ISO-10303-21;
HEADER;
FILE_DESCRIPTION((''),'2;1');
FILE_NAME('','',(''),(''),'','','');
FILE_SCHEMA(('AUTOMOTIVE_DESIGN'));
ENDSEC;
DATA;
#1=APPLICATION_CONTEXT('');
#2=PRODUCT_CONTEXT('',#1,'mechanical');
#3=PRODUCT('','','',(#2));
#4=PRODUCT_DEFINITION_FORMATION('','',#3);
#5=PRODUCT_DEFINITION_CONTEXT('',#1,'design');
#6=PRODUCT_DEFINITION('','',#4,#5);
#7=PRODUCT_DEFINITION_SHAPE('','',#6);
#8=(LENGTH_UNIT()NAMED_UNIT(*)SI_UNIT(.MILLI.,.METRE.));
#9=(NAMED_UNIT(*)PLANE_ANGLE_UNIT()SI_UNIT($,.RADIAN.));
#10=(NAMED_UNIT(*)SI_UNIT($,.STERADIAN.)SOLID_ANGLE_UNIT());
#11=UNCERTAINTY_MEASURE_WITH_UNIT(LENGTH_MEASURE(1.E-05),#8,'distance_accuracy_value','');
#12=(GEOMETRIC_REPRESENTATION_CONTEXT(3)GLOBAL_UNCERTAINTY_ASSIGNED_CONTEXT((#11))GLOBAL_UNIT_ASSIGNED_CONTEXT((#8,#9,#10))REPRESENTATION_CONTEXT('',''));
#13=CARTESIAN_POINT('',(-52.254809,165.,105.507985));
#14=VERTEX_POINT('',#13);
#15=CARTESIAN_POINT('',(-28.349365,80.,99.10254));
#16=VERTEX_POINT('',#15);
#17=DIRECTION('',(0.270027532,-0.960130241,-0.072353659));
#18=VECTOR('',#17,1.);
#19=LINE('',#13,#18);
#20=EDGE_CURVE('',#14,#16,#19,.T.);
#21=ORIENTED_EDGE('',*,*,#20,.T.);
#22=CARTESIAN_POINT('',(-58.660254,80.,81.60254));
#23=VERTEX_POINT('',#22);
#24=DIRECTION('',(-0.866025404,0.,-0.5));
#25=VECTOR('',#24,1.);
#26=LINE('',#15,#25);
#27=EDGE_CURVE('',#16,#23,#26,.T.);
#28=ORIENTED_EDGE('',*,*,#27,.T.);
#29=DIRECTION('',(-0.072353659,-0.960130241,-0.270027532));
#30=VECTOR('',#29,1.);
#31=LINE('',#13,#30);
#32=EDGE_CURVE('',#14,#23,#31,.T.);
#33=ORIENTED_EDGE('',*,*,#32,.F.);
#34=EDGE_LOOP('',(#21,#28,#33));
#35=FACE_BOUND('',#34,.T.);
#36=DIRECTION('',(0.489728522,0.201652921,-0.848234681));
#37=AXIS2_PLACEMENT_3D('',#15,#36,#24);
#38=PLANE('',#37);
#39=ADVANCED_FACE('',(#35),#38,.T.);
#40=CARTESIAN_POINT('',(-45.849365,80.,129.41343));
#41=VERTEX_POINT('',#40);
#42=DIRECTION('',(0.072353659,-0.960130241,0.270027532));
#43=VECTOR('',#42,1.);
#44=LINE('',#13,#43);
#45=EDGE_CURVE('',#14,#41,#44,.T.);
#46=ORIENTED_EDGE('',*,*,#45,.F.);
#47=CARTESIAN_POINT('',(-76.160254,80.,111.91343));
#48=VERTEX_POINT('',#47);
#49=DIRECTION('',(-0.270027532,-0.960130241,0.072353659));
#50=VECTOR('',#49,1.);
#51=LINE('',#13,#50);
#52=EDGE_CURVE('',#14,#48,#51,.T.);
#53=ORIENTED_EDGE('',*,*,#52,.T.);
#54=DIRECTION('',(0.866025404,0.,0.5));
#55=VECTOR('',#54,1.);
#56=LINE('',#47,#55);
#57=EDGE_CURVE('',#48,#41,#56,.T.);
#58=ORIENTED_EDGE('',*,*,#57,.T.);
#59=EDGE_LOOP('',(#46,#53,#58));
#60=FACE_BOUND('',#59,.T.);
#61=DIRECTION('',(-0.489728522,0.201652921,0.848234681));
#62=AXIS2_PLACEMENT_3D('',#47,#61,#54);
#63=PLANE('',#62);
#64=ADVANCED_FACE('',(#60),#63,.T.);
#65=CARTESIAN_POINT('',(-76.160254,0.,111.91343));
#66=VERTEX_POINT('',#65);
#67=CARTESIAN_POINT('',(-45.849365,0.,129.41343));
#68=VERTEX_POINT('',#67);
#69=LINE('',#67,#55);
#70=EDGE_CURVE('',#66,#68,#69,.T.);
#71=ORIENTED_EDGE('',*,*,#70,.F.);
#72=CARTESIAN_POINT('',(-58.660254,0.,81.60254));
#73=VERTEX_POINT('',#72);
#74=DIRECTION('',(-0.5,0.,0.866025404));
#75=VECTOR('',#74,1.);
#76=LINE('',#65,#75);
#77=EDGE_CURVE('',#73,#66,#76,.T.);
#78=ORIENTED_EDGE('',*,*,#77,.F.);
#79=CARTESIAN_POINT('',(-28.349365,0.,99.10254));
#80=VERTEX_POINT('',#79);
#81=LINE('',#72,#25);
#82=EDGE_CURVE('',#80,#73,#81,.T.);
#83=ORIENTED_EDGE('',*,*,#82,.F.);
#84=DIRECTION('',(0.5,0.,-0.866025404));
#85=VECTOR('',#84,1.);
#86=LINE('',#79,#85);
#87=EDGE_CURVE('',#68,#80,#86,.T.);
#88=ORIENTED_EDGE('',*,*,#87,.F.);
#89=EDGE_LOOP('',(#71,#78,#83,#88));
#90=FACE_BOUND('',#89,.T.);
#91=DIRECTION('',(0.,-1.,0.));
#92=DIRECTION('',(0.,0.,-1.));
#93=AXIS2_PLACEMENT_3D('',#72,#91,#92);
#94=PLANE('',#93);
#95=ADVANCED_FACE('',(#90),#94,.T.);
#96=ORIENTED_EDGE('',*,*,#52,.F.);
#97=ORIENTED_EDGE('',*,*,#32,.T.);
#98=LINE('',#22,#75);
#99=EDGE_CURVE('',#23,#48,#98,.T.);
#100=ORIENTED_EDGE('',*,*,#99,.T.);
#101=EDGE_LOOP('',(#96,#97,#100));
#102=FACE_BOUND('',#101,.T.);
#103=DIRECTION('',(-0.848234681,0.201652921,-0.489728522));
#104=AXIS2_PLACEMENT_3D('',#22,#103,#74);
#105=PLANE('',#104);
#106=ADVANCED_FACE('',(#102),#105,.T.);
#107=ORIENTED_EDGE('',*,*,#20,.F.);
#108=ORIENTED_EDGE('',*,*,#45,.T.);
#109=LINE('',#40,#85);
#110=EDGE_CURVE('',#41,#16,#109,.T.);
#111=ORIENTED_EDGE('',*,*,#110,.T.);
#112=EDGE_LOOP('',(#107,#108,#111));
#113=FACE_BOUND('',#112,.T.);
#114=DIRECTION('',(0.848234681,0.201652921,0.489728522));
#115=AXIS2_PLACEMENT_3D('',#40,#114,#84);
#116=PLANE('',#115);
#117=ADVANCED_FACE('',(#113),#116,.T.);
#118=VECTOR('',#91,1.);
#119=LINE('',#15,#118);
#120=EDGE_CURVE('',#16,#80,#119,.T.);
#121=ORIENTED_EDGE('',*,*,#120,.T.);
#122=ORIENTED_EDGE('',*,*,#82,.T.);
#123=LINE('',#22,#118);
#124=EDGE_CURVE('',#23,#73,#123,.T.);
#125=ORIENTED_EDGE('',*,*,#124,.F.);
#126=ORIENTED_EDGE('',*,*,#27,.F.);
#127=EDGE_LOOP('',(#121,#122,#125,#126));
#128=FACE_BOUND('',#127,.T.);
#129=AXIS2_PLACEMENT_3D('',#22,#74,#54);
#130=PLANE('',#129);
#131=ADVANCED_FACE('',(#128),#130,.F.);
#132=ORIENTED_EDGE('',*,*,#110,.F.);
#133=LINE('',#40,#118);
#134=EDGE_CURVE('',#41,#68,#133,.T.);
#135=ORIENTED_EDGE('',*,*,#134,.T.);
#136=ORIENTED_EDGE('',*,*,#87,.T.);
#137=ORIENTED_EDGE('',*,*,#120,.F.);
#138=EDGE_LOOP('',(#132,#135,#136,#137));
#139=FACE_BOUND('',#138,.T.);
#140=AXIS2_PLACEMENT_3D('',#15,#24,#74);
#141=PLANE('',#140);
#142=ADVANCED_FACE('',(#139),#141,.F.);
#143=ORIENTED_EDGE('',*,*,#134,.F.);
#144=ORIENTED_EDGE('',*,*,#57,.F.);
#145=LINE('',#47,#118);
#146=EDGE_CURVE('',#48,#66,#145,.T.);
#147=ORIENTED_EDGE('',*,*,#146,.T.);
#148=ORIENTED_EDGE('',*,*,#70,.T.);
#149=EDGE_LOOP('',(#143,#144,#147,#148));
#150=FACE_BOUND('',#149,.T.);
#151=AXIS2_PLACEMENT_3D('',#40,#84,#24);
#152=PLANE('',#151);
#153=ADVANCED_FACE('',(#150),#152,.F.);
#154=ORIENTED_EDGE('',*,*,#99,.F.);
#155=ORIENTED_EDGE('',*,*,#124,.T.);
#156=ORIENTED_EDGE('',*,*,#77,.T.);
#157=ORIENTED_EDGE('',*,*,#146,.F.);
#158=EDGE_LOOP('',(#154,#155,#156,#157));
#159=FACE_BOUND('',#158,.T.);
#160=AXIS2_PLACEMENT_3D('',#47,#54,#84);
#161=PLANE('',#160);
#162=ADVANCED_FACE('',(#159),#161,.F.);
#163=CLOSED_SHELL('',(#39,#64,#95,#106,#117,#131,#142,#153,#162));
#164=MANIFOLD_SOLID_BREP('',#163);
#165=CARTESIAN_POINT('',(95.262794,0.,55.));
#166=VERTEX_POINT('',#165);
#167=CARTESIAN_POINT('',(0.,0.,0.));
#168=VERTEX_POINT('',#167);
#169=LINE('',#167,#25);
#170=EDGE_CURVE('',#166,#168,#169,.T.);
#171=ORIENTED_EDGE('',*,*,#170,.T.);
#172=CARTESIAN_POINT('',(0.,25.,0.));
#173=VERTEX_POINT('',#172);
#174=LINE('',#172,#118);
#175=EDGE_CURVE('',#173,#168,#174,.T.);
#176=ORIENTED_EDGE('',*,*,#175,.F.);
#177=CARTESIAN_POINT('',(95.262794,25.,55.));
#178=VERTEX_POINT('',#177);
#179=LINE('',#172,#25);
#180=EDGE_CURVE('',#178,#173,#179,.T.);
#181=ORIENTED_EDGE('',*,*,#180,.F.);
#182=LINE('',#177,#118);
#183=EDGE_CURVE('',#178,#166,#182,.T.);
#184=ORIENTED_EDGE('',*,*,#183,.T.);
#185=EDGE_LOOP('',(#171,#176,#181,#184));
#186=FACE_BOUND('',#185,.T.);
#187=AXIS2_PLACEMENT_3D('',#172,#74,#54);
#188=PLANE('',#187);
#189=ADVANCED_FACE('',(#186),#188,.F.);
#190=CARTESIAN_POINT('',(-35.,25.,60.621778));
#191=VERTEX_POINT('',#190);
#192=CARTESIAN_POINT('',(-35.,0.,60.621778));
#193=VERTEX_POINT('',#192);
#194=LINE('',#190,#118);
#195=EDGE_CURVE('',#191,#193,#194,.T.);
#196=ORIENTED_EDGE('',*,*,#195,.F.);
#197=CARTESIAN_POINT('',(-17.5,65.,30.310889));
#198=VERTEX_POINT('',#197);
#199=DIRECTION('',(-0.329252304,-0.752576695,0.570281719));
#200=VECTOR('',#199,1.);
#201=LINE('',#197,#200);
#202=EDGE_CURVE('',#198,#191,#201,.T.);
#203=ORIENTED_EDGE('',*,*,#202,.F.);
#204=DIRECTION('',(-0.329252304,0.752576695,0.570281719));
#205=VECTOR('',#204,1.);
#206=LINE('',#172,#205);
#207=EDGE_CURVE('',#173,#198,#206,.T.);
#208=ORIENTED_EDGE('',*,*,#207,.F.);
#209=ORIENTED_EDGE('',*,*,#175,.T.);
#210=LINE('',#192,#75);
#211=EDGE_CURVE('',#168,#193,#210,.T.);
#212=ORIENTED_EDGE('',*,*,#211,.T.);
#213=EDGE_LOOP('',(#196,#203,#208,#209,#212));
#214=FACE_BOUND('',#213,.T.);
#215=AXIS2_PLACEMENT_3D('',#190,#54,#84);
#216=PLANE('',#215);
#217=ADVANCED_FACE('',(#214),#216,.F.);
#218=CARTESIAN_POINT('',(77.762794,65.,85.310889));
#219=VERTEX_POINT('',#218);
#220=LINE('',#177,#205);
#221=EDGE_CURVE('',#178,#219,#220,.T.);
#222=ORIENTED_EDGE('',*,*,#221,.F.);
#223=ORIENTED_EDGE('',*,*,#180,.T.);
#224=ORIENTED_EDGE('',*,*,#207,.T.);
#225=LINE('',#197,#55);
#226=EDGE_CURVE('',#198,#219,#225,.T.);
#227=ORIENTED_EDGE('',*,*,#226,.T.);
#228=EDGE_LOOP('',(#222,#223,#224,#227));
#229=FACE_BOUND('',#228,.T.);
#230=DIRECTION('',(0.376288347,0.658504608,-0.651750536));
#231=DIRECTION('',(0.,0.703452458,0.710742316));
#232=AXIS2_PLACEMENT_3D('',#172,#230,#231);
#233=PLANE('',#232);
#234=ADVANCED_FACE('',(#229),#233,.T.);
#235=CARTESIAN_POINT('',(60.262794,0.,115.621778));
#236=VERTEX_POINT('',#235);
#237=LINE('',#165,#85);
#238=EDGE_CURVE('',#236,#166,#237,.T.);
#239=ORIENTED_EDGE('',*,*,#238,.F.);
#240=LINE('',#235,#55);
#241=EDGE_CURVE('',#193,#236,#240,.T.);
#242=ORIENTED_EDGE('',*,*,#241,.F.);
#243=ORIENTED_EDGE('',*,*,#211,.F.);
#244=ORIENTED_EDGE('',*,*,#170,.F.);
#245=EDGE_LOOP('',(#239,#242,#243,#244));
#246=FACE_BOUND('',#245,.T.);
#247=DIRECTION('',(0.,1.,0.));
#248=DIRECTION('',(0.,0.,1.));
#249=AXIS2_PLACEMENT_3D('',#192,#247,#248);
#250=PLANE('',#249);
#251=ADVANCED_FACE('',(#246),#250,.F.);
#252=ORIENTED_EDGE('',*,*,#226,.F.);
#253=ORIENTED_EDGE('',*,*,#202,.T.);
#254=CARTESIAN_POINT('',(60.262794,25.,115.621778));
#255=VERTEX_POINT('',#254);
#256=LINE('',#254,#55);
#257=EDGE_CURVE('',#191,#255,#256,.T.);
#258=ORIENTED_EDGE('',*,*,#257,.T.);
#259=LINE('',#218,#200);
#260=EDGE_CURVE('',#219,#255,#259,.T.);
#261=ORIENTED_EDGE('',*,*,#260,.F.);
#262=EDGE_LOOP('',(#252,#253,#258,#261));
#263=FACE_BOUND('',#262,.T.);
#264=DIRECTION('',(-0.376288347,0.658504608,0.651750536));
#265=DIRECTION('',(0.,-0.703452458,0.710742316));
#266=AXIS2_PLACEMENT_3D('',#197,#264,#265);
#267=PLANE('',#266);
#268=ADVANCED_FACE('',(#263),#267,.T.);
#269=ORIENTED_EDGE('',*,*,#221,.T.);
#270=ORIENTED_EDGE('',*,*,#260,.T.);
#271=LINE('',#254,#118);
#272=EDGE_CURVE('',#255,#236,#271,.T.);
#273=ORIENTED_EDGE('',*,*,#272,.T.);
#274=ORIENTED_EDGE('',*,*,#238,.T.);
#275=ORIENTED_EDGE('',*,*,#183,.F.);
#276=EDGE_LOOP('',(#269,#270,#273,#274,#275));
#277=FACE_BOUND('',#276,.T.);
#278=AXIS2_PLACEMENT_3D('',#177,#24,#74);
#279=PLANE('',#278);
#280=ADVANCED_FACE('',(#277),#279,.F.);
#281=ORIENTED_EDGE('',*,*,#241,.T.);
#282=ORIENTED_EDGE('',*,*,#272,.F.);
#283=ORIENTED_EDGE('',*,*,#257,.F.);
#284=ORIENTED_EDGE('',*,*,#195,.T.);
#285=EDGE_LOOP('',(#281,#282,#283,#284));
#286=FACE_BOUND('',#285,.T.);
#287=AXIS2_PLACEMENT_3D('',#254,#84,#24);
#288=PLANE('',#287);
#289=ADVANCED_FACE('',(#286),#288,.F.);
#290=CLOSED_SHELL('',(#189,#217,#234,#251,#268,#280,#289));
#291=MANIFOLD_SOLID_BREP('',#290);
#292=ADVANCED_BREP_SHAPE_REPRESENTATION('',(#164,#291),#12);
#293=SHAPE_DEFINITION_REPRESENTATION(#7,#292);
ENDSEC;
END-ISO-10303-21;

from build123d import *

# Parameters (mm, degrees)
EXTRUDE1_DEPTH = 25
EXTRUDE2_DEPTH = 110
EXTRUDE3_DEPTH = 80


with BuildPart() as part:
    # Sketch1 → Extrude1 (new body)
    with BuildSketch(Plane(origin=(0, 0, 0), x_dir=(1, 0, 0), z_dir=(0, 1, 0))):
        Polygon((0, 0), (95.262794416, -55), (60.262794416, -115.621778265), (-35, -60.621778265), align=None)
    extrude(amount=EXTRUDE1_DEPTH)

    # Sketch2 → Extrude2 (add)
    with BuildSketch(Plane(origin=(95.262794416, 0, 55), x_dir=(0.5, 0, -0.866025404), z_dir=(0.866025404, 0, 0.5))):
        Polygon((-70, 25), (0, 25), (-35, 65), align=None)
    extrude(amount=-EXTRUDE2_DEPTH)


with BuildPart() as body_2:
    # Sketch3 → Extrude3 (new body)
    with BuildSketch(Plane(origin=(0, 0, 0), x_dir=(1, 0, 0), z_dir=(0, 1, 0))):
        Polygon((-58.660254038, -81.602540378), (-28.349364905, -99.102540378), (-45.849364905, -129.413429511), (-76.160254038, -111.913429511), align=None)
    extrude(amount=EXTRUDE3_DEPTH)

    # Sketch4 → Loft1 section 0
    with BuildSketch(Plane(origin=(0, 80, 0), x_dir=(-1, 0, 0), z_dir=(0, 1, 0)), mode=Mode.PRIVATE) as loft1_s0:
        Polygon((58.660254038, 81.602540378), (28.349364905, 99.102540378), (45.849364905, 129.413429511), (76.160254038, 111.913429511), align=None)
    loft([Vertex(-52.254809472, 165, 105.507984945), loft1_s0.sketch])


solid = Compound([part.part, body_2.part])
